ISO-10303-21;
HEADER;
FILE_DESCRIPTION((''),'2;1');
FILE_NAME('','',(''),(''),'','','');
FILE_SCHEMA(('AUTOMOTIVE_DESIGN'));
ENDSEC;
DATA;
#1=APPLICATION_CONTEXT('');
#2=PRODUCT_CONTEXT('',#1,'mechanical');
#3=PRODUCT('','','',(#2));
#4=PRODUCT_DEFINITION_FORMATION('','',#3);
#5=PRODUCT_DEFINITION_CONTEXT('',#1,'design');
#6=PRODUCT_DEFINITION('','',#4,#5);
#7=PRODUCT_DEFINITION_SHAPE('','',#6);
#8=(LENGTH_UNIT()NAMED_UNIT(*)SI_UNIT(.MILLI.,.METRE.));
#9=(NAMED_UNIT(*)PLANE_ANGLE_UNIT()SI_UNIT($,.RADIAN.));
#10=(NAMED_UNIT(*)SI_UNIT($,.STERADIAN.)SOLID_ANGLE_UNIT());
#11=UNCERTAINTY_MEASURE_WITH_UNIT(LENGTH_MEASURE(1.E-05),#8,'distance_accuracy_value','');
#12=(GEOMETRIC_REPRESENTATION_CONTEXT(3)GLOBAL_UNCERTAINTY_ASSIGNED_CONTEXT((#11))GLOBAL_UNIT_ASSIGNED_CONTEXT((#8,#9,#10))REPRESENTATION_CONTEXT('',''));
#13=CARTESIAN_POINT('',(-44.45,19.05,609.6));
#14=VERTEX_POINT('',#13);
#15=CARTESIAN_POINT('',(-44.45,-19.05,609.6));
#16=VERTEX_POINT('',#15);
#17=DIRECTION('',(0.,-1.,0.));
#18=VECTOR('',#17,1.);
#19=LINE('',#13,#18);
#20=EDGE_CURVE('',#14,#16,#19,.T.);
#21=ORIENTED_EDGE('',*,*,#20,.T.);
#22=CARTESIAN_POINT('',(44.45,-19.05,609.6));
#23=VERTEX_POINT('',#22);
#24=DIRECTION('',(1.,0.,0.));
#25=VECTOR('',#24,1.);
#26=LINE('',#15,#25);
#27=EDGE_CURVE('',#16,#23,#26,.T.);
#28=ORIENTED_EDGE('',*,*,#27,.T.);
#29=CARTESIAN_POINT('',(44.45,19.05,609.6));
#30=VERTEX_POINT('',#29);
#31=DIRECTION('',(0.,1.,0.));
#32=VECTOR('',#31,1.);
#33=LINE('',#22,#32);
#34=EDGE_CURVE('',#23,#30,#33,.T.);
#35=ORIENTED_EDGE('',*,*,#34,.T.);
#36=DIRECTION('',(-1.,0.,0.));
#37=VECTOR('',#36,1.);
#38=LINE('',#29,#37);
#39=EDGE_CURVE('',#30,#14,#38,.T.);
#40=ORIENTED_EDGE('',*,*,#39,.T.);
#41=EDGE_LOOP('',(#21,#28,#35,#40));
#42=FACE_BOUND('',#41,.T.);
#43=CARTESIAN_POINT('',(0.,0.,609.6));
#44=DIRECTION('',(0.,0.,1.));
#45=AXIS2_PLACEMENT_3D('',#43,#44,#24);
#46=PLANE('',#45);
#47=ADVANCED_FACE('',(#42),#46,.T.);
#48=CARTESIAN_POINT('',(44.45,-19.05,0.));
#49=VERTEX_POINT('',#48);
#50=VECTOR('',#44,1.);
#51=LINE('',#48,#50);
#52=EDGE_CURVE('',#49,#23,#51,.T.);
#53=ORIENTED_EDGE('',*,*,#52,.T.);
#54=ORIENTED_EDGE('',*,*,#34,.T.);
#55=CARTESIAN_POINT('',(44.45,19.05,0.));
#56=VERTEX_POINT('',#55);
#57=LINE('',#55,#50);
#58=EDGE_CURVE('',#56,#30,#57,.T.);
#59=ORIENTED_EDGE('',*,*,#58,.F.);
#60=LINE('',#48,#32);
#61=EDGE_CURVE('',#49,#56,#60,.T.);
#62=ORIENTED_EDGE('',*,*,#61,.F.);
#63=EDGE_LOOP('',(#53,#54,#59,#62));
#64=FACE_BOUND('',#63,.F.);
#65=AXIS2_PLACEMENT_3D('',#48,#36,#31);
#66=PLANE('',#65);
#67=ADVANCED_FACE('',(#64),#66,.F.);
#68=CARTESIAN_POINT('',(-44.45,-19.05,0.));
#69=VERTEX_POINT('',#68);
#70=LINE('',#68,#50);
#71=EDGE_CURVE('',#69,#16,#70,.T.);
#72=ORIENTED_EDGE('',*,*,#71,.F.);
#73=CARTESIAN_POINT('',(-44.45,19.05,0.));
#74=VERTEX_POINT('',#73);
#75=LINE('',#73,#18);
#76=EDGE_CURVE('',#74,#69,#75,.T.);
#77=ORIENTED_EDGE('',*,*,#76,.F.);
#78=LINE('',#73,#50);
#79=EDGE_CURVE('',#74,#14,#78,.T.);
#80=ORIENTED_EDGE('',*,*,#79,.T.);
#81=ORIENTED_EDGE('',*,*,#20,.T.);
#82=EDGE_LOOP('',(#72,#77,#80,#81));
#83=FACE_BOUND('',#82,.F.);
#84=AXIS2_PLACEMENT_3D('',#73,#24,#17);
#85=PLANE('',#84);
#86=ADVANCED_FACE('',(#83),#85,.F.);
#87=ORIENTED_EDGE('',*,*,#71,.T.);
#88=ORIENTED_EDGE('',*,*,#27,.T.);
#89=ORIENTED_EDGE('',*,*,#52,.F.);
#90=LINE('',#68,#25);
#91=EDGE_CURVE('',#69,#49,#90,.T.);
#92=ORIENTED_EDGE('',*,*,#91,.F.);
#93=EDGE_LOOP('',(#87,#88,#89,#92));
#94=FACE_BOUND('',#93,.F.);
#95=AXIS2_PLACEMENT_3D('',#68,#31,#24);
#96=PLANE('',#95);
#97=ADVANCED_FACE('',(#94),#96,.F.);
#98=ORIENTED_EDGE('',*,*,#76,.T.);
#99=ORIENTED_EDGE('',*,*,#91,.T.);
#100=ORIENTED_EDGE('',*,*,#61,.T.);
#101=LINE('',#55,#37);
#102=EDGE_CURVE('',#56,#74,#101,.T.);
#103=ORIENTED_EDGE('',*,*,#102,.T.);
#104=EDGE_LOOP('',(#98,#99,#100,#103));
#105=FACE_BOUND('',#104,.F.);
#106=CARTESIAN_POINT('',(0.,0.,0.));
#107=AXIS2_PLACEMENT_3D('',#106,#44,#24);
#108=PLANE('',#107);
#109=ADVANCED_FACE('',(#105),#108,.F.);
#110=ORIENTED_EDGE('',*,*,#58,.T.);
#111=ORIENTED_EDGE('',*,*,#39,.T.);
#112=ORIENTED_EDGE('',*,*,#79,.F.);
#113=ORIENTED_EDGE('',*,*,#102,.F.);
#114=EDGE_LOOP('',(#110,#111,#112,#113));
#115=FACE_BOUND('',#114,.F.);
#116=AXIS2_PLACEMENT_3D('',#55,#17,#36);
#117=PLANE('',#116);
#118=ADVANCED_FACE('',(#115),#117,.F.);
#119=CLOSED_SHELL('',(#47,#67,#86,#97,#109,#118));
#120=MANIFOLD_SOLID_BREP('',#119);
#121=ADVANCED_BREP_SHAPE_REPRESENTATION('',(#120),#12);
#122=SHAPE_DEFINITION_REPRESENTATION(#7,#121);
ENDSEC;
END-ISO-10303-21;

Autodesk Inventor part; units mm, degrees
ref_plane "YZ Plane" through (0, 0, 0) normal (1, 0, 0) x (0, 1, 0)
ref_plane "XZ Plane" through (0, 0, 0) normal (0, 1, 0) x (-1, 0, 0)
ref_plane "XY Plane" through (0, 0, 0) normal (0, 0, 1) x (1, 0, 0)
sketch "Sketch1" plane through (0, 0, 0) normal (0, 0, 1) x (1, 0, 0)
  line L0 (-44.45, -19.05) -> (44.45, -19.05)
  line L1 (44.45, -19.05) -> (44.45, 19.05)
  line L2 (44.45, 19.05) -> (-44.45, 19.05)
  line L3 (-44.45, 19.05) -> (-44.45, -19.05)
  line L4 (-44.45, -19.05) -> (44.45, 19.05) construction
  line L5 (44.45, -19.05) -> (-44.45, 19.05) construction
  point P0 (0, 0)
  dimension "d0" = 88.9
  dimension "d1" = 38.1
extrude "Extrusion1" add sketch "Sketch1" along normal blind 609.6
properties part number "2x4x24"
